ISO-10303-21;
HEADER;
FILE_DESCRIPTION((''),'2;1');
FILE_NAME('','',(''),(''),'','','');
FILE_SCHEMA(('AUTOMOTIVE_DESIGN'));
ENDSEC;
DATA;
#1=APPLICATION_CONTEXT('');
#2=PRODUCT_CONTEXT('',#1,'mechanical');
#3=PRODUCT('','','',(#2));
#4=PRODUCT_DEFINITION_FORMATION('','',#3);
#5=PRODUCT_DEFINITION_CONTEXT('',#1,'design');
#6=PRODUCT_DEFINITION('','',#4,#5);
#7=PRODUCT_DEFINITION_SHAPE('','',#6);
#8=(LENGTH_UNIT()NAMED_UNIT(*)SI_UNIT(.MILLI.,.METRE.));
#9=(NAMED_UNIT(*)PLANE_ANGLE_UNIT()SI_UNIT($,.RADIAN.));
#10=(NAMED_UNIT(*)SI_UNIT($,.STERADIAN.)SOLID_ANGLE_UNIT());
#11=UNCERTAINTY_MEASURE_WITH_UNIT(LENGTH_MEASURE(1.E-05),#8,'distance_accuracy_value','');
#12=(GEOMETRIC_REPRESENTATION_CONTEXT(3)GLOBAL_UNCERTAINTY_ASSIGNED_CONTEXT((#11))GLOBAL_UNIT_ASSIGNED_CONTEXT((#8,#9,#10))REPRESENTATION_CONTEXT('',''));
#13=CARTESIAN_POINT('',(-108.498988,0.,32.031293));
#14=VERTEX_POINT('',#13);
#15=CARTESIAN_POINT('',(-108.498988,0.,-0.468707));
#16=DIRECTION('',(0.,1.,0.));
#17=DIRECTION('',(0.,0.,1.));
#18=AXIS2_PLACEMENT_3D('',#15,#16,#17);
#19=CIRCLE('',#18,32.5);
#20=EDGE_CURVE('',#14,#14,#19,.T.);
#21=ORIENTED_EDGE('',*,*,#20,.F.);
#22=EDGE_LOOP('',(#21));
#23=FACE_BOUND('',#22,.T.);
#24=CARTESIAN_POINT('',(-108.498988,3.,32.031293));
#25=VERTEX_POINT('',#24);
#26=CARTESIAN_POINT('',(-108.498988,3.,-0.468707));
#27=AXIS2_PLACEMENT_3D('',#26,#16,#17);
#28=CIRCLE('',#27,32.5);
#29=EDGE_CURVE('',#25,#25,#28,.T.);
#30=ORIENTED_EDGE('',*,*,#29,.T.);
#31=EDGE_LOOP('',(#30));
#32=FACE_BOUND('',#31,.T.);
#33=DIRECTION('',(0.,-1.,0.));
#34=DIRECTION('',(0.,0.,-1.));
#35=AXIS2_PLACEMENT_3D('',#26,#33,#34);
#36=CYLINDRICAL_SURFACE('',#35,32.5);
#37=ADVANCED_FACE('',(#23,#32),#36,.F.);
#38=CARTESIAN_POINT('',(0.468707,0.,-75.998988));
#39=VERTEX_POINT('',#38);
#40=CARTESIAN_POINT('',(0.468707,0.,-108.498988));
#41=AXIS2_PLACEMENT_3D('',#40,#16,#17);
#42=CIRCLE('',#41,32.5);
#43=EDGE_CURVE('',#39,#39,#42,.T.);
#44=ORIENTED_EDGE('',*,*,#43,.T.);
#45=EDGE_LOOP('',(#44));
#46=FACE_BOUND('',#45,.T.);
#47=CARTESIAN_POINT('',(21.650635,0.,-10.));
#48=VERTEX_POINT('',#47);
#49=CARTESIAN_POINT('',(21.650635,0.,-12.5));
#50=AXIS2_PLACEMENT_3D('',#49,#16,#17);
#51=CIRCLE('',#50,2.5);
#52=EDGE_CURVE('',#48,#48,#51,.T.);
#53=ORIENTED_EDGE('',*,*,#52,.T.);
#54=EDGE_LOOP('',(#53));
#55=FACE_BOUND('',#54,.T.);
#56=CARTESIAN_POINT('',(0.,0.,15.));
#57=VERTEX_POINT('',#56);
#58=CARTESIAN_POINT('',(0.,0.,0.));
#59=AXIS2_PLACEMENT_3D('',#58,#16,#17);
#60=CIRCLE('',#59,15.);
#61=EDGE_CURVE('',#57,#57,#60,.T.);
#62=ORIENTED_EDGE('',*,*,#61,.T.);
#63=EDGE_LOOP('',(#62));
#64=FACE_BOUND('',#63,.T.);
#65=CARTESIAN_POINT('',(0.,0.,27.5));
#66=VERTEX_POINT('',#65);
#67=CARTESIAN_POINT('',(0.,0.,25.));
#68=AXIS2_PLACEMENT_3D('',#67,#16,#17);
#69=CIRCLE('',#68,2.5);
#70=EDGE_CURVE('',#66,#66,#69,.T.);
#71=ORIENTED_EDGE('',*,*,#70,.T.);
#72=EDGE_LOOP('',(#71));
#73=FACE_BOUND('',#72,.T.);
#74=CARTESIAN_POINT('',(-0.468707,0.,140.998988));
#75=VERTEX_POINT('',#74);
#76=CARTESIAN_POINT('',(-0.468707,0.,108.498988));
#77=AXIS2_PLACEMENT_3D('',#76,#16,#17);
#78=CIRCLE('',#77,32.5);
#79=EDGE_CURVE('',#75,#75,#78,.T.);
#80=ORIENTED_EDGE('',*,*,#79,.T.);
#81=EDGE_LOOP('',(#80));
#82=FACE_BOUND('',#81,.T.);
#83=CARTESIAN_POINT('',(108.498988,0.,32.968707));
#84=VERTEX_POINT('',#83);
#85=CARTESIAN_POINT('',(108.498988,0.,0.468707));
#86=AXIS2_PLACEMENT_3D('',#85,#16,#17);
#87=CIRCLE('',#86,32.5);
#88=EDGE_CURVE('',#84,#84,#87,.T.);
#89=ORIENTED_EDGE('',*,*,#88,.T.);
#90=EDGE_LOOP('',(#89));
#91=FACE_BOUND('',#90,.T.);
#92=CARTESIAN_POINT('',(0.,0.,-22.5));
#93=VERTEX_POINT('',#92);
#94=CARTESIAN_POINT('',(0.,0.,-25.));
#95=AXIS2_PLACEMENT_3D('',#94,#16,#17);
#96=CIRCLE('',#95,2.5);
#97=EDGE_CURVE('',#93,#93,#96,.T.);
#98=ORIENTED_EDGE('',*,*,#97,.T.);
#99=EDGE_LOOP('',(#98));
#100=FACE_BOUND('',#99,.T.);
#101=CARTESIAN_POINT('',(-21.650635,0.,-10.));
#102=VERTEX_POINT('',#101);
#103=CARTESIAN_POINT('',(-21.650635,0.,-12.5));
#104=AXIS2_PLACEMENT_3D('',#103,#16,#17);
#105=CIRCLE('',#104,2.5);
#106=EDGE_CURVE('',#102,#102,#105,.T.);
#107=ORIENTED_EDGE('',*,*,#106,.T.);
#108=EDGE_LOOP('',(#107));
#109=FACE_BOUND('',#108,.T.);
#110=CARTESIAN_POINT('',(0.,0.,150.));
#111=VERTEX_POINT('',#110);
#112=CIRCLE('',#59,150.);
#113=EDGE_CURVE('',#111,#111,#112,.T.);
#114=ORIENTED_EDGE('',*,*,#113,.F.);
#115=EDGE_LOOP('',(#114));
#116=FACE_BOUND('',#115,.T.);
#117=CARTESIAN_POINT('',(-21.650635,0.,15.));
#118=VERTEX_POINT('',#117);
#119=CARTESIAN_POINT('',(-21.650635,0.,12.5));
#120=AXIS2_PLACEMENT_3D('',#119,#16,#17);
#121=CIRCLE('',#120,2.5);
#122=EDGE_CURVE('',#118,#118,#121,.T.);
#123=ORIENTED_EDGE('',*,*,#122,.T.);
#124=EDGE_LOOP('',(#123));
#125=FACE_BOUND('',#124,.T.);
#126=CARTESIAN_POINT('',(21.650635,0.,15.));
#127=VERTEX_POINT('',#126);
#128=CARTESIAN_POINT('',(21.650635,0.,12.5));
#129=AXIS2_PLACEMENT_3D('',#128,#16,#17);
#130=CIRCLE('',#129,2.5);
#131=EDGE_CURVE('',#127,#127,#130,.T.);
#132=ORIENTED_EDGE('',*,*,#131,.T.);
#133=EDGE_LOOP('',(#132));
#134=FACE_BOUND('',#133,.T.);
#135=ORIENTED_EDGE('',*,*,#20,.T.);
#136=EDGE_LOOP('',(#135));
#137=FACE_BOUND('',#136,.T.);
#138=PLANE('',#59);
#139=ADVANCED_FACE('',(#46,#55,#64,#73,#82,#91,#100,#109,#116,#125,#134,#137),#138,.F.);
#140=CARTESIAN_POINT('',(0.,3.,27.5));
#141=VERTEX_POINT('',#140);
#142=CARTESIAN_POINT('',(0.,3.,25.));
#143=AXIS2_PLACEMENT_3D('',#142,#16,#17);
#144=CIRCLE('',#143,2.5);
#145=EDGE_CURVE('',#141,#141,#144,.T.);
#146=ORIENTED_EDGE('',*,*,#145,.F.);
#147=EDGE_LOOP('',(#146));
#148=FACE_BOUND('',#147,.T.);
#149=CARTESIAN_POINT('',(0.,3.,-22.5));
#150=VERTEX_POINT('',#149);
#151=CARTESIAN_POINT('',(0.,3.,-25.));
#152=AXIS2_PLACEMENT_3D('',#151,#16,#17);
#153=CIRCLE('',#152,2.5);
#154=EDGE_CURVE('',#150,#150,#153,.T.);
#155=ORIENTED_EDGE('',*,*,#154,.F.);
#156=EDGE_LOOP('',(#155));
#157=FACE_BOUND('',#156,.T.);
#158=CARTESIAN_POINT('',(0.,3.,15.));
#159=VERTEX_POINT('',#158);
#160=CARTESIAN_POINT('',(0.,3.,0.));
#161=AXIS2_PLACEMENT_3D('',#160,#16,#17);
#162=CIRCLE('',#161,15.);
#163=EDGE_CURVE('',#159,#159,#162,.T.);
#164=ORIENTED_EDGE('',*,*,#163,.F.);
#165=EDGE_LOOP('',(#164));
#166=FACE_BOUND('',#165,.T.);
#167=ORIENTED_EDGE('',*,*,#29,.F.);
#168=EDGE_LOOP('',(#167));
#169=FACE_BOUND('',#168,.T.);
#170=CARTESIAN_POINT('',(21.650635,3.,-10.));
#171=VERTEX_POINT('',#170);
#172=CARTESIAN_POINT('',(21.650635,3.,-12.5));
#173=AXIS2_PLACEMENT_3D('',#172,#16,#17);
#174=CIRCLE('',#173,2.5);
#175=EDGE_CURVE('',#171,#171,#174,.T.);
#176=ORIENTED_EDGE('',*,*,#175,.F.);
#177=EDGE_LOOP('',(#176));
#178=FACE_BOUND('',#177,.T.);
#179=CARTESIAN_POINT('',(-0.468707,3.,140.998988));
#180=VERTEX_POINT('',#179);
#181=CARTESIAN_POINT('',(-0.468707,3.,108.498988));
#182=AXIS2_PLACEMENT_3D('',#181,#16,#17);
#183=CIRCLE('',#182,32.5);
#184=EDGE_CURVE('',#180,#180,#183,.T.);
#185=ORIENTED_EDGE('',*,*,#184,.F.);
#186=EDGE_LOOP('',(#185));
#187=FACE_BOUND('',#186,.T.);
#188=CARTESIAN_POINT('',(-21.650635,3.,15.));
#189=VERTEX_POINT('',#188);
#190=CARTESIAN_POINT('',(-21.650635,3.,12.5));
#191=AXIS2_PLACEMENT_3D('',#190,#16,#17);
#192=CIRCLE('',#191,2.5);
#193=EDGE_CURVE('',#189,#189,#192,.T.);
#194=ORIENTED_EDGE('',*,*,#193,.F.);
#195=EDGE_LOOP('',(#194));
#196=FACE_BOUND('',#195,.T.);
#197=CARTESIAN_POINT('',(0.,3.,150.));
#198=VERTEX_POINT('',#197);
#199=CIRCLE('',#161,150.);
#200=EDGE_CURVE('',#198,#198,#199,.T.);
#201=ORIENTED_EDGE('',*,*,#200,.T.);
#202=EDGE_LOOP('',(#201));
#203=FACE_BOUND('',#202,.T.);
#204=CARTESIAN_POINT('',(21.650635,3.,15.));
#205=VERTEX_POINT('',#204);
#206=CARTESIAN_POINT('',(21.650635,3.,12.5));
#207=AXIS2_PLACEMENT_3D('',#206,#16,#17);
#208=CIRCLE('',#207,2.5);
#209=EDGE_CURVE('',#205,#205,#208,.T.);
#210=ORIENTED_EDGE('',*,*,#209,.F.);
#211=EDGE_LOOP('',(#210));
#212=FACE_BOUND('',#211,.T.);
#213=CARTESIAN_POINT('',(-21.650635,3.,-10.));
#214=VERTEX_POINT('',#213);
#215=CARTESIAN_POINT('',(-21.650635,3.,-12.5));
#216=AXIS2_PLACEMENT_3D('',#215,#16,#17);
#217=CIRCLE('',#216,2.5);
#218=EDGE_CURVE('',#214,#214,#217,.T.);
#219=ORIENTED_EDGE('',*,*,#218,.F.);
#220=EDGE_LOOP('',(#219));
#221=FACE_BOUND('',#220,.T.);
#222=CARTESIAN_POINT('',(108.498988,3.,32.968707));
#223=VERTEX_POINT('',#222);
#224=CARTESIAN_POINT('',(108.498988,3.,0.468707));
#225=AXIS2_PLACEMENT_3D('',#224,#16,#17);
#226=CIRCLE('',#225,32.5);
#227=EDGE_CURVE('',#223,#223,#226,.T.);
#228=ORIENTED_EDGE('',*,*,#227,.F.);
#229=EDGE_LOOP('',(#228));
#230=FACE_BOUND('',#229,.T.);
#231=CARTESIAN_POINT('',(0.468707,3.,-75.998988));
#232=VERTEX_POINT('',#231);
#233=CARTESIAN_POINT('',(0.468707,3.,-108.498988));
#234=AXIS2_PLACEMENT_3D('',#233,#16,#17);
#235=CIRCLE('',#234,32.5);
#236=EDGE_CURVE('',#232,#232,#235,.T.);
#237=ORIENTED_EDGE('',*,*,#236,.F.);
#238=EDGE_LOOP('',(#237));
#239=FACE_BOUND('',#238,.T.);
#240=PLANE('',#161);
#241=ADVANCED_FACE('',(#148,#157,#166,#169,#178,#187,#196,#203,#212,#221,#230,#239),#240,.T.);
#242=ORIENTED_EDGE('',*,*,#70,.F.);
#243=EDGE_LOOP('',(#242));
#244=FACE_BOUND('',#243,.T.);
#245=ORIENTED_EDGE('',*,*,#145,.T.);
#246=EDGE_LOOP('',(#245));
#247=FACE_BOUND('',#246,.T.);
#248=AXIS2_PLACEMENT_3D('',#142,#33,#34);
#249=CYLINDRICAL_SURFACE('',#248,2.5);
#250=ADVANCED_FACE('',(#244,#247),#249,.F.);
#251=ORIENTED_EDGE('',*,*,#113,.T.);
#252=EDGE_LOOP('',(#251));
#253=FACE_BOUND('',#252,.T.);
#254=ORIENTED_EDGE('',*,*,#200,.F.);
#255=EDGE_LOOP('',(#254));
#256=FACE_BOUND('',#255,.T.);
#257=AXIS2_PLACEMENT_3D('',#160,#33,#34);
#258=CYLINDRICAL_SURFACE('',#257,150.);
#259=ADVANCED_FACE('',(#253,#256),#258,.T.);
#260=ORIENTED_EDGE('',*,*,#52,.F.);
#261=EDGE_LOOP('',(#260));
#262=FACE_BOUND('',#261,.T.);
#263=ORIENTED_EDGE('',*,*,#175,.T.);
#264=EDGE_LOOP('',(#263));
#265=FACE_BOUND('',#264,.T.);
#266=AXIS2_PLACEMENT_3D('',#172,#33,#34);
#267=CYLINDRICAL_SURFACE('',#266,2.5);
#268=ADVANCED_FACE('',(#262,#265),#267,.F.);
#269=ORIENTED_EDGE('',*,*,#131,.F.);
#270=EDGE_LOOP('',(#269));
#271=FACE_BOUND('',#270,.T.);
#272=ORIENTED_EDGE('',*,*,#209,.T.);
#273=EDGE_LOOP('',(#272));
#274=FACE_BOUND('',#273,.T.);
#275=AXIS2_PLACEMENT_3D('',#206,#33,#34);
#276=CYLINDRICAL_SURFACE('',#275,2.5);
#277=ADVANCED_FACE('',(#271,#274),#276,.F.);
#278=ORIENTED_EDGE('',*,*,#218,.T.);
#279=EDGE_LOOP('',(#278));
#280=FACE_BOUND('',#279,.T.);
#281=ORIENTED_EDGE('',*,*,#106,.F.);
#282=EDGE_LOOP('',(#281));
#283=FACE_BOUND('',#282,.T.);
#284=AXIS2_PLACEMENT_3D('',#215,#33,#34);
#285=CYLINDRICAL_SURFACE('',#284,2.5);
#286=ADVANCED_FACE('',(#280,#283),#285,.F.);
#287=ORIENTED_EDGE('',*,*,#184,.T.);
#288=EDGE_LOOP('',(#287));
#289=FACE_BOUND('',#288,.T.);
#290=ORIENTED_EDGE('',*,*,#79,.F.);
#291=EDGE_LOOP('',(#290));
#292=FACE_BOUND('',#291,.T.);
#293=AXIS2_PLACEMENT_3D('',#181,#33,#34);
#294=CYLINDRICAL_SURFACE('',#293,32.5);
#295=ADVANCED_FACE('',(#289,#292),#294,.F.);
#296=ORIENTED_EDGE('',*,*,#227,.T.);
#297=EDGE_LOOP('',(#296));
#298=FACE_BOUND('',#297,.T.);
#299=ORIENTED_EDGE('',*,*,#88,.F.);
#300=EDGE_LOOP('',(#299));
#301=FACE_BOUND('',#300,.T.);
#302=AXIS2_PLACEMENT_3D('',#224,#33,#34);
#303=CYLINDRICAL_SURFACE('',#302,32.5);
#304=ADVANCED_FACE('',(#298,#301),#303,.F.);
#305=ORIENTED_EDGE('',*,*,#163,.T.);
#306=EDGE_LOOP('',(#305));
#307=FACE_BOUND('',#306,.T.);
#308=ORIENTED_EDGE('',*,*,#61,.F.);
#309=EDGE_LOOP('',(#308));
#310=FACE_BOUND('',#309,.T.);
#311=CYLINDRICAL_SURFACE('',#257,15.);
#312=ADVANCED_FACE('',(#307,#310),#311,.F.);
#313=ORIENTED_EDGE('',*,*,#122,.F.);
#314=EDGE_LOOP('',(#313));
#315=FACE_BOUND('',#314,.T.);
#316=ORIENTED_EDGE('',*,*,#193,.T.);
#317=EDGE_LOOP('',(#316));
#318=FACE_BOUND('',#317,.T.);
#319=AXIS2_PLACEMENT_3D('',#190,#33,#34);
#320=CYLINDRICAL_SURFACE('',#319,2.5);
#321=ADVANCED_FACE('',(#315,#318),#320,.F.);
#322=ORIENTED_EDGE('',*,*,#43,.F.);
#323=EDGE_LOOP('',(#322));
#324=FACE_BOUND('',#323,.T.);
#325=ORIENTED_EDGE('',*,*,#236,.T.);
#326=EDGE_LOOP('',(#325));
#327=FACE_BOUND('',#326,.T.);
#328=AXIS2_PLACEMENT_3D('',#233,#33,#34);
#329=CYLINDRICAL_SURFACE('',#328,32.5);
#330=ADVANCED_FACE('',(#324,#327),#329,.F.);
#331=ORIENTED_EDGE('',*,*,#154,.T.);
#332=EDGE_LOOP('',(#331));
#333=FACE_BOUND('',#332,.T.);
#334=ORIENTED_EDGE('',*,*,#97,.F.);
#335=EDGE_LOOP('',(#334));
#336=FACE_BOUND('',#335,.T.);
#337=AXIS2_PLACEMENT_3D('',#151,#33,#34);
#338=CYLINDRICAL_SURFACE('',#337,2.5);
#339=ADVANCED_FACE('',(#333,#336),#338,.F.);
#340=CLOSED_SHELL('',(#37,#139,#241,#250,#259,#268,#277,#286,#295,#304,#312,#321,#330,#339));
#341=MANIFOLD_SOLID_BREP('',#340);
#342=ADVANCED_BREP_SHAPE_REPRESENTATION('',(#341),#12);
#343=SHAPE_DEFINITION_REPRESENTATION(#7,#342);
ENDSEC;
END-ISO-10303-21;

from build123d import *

# Parameters (mm, degrees)
SKETCH1_R           = 150
SKETCH1_R_2         = 15
SKETCH1_R_3         = 2.5
SKETCH1_R_4         = 32.5
BOSS_EXTRUDE1_DEPTH = 3


with BuildPart() as part:
    # Sketch1 → Boss-Extrude1 (new body)
    with BuildSketch(Plane(origin=(0, 0, 0), x_dir=(1, 0, 0), z_dir=(0, 1, 0))):
        Circle(SKETCH1_R)
        Circle(SKETCH1_R_2, mode=Mode.SUBTRACT)
        with Locations((0, 25)):
            Circle(SKETCH1_R_3, mode=Mode.SUBTRACT)
        with Locations((21.650635095, 12.5)):
            Circle(SKETCH1_R_3, mode=Mode.SUBTRACT)
        with Locations((21.650635095, -12.5)):
            Circle(SKETCH1_R_3, mode=Mode.SUBTRACT)
        with Locations((0, -25)):
            Circle(SKETCH1_R_3, mode=Mode.SUBTRACT)
        with Locations((-21.650635095, -12.5)):
            Circle(SKETCH1_R_3, mode=Mode.SUBTRACT)
        with Locations((-21.650635095, 12.5)):
            Circle(SKETCH1_R_3, mode=Mode.SUBTRACT)
        with Locations((0.468706939, 108.498987616)):
            Circle(SKETCH1_R_4, mode=Mode.SUBTRACT)
        with Locations((108.498987616, -0.468706939)):
            Circle(SKETCH1_R_4, mode=Mode.SUBTRACT)
        with Locations((-0.468706939, -108.498987616)):
            Circle(SKETCH1_R_4, mode=Mode.SUBTRACT)
        with Locations((-108.498987616, 0.468706939)):
            Circle(SKETCH1_R_4, mode=Mode.SUBTRACT)
    extrude(amount=BOSS_EXTRUDE1_DEPTH)


solid = part.part
